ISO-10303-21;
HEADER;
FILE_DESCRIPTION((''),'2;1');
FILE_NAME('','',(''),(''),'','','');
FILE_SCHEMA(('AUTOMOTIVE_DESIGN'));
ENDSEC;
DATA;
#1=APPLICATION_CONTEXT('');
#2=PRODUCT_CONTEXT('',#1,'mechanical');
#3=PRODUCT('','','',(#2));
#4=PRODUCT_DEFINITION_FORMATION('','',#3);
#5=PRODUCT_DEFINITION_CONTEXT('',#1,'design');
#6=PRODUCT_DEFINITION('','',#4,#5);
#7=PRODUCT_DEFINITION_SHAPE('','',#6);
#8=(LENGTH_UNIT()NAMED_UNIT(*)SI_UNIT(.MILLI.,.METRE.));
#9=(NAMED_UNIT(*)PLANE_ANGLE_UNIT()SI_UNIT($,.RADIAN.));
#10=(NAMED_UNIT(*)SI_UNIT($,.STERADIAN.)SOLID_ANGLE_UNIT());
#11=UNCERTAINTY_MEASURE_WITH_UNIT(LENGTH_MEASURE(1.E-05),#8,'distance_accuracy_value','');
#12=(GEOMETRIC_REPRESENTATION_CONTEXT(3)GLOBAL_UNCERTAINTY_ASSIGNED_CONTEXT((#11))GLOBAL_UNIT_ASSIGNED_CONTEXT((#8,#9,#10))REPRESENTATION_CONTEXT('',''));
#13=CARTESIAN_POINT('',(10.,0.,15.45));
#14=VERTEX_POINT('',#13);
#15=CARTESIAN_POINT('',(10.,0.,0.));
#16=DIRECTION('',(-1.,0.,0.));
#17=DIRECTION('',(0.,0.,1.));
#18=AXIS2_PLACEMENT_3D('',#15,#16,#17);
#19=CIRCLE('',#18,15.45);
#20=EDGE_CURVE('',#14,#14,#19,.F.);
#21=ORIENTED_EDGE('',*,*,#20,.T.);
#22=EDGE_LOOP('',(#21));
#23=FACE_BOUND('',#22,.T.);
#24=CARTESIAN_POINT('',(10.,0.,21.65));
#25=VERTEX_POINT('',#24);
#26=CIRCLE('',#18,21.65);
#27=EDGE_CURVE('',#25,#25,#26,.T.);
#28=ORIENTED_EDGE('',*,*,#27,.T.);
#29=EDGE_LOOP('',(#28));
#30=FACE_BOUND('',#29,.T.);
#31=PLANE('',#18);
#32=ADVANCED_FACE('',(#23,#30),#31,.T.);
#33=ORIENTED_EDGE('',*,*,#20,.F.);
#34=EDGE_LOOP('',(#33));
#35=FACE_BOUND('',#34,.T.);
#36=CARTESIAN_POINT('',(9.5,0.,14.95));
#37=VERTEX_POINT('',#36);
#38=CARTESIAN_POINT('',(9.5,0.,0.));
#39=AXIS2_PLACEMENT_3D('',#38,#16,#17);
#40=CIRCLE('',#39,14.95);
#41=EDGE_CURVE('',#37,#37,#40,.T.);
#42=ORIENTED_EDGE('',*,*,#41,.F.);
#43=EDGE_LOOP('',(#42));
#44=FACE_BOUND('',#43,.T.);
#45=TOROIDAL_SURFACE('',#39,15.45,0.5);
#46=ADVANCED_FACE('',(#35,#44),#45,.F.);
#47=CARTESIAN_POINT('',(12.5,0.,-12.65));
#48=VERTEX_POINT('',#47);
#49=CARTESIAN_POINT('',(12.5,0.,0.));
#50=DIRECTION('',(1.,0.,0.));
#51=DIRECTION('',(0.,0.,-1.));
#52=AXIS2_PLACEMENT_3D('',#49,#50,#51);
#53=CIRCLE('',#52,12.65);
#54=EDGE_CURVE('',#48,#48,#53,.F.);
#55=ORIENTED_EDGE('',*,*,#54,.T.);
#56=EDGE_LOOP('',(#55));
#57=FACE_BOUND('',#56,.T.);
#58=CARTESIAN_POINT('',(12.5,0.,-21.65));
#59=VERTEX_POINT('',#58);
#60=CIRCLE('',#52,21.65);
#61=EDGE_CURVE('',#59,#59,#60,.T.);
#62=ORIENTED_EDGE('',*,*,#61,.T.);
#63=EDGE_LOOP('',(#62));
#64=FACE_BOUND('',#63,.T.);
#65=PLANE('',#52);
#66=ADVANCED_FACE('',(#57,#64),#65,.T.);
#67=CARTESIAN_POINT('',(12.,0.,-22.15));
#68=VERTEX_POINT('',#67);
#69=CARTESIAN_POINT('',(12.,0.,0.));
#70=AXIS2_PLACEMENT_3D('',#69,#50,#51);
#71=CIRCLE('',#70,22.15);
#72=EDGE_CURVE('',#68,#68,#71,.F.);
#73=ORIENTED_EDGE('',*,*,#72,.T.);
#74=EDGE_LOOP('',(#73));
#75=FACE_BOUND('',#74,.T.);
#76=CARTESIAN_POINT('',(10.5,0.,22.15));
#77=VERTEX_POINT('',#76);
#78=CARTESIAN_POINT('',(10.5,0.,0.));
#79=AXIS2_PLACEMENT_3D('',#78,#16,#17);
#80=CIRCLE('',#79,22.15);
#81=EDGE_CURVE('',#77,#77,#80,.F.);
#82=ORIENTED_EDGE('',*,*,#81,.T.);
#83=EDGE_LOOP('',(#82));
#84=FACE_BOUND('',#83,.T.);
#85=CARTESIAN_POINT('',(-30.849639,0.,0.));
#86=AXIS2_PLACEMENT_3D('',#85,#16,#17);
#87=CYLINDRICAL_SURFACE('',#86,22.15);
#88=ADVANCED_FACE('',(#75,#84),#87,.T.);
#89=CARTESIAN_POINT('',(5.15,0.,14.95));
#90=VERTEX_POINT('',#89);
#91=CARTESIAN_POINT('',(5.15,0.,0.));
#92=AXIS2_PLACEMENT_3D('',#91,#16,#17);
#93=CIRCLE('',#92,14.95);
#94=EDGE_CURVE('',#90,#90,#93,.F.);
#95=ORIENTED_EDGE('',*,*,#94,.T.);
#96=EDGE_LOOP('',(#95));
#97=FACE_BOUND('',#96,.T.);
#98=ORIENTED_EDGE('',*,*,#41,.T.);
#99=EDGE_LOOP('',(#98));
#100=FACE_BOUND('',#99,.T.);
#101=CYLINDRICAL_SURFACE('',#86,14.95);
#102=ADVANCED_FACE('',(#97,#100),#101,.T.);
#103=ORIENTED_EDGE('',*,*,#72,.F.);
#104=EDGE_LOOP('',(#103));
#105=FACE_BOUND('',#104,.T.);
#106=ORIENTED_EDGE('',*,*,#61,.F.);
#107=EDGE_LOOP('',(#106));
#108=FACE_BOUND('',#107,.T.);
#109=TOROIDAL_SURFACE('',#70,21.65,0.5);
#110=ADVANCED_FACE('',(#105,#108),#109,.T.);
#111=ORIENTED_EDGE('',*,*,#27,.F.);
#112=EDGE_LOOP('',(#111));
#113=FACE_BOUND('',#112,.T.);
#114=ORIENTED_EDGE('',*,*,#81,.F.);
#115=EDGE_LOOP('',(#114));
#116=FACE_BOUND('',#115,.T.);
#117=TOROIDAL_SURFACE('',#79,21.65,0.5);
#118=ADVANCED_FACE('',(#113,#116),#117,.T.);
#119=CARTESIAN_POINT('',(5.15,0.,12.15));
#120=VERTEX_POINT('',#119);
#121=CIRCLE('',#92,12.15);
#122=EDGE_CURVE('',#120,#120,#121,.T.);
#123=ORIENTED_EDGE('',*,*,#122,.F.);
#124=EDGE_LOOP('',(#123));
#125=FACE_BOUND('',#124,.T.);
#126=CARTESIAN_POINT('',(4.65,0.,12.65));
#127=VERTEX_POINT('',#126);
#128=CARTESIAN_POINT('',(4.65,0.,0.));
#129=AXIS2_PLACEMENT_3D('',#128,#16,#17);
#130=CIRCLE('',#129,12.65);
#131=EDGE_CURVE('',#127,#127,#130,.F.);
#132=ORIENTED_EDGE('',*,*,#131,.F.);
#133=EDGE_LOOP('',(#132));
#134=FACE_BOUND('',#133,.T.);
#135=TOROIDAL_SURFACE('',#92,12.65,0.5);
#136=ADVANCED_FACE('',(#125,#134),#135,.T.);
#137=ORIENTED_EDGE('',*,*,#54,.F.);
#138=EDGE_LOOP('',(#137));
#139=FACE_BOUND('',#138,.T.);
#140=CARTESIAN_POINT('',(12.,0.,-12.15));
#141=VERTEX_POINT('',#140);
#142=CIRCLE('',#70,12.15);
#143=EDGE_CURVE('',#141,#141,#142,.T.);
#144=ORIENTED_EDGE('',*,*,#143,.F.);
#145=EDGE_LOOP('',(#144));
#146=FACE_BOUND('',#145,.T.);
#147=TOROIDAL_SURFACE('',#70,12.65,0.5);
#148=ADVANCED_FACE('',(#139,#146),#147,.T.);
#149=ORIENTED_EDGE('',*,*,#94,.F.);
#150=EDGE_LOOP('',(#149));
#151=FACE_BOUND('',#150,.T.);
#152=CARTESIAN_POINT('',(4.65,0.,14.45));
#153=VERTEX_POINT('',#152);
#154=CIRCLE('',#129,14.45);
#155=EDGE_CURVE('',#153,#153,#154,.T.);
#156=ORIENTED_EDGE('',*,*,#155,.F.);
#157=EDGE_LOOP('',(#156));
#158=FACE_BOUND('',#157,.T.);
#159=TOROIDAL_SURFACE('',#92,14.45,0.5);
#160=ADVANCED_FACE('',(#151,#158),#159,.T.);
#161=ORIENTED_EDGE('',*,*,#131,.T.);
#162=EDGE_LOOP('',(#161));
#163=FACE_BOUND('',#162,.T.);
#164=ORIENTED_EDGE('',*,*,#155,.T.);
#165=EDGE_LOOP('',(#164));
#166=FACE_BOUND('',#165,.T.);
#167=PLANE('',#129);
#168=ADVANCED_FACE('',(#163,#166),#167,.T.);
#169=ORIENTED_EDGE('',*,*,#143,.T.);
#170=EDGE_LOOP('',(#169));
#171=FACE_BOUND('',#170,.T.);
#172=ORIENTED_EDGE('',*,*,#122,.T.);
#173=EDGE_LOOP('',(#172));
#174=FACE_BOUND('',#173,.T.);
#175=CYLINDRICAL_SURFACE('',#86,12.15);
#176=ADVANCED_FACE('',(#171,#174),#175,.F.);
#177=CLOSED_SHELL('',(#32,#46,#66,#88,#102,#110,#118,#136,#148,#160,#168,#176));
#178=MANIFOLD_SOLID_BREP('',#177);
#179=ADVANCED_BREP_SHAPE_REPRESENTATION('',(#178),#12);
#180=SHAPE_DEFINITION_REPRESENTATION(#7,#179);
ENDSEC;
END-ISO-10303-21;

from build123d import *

# Parameters (mm, degrees)
FILLET1_R = 0.5


with BuildPart() as part:
    # Sketch1 → Revolve1 (revolve)
    with BuildSketch(Plane.XY, mode=Mode.PRIVATE) as revolve1_sk:
        Polygon((12.5, 22.15), (10, 22.15), (10, 17.15), (10, 14.95), (4.65, 14.95), (4.65, 12.15), (12.5, 12.15), align=None)
    revolve(revolve1_sk.sketch.rotate(Axis((-30.849638619, 0, 0), (1, 0, 0)), 90), axis=Axis((-30.849638619, 0, 0), (1, 0, 0)))

    # Fillet1
    fillet1_edges = [part.edges().sort_by_distance(p)[0] for p in [
        (10, 0, -22.15),
        (12.5, 0, -22.15),
        (12.5, 0, -12.15),
        (4.65, 0, -12.15),
        (4.65, 0, -14.95),
        (10, 0, -14.95),
    ]]
    fillet(fillet1_edges, radius=FILLET1_R)


solid = part.part
